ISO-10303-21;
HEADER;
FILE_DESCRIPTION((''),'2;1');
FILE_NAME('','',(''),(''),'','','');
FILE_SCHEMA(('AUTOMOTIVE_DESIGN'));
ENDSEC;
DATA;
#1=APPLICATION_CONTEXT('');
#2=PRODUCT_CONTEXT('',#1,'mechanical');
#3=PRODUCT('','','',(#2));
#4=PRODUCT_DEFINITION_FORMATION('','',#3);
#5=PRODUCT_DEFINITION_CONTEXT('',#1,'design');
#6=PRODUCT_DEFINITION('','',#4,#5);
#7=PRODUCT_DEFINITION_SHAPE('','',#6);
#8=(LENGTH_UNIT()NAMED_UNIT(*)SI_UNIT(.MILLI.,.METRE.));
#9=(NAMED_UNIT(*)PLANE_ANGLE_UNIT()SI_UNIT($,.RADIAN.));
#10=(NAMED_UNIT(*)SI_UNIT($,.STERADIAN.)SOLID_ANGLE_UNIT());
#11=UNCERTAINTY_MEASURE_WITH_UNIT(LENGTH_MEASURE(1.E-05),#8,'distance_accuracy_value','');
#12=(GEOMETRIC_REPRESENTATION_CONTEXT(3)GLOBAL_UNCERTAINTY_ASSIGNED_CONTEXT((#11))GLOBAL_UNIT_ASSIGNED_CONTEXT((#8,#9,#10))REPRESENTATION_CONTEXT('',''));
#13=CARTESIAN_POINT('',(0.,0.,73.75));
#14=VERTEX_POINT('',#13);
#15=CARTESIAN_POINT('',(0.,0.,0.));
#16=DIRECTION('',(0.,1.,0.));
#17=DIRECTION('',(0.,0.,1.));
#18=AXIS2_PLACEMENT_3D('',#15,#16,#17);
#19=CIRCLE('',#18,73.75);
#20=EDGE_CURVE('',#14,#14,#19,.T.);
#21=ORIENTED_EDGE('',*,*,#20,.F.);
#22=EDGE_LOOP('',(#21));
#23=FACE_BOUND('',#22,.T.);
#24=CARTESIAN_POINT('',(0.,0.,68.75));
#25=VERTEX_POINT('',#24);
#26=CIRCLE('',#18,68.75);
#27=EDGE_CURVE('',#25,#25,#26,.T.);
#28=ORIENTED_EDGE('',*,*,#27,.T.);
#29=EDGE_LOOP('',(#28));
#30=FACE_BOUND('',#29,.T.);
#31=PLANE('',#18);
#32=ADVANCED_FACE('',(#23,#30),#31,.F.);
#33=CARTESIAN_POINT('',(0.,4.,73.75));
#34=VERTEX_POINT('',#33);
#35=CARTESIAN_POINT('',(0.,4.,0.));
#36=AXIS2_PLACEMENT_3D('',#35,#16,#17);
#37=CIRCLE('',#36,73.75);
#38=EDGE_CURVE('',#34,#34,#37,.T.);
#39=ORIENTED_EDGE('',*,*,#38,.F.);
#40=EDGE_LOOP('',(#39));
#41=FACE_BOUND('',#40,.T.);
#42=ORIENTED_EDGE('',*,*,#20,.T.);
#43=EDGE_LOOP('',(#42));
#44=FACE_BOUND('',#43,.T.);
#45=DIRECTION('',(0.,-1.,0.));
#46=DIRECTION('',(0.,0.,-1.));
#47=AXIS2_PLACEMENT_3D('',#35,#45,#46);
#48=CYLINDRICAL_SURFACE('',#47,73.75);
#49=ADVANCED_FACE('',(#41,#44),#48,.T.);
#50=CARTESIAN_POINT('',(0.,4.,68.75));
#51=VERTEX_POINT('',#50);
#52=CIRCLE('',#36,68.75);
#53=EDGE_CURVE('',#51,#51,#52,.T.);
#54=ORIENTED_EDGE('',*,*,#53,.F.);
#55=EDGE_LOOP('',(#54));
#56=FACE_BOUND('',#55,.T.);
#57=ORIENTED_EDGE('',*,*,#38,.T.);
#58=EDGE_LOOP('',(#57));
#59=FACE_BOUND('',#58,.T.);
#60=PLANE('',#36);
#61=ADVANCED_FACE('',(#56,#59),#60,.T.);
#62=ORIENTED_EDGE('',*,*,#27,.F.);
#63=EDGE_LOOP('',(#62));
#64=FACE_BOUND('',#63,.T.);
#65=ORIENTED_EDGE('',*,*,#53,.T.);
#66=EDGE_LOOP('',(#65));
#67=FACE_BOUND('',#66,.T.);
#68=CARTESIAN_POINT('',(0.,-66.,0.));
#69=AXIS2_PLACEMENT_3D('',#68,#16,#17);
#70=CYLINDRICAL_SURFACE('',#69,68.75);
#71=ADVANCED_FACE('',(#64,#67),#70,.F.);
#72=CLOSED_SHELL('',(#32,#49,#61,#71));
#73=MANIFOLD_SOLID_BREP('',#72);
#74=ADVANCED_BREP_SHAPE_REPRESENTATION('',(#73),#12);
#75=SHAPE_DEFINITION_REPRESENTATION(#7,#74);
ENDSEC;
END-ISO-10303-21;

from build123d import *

# Parameters (mm, degrees)
SKETCH1_R           = 73.75
BOSS_EXTRUDE1_DEPTH = 4
SKETCH3_R           = 68.75
CUT_EXTRUDE1_DEPTH  = 70


with BuildPart() as part:
    # Sketch1 → Boss-Extrude1 (new body)
    with BuildSketch(Plane(origin=(0, 0, 0), x_dir=(1, 0, 0), z_dir=(0, 1, 0))):
        Circle(SKETCH1_R)
    extrude(amount=BOSS_EXTRUDE1_DEPTH)

    # Sketch3 → Cut-Extrude1 (cut)
    with BuildSketch(Plane(origin=(0, 4, 0), x_dir=(1, 0, 0), z_dir=(0, 1, 0))):
        Circle(SKETCH3_R)
    extrude(amount=-CUT_EXTRUDE1_DEPTH, mode=Mode.SUBTRACT)


solid = part.part
